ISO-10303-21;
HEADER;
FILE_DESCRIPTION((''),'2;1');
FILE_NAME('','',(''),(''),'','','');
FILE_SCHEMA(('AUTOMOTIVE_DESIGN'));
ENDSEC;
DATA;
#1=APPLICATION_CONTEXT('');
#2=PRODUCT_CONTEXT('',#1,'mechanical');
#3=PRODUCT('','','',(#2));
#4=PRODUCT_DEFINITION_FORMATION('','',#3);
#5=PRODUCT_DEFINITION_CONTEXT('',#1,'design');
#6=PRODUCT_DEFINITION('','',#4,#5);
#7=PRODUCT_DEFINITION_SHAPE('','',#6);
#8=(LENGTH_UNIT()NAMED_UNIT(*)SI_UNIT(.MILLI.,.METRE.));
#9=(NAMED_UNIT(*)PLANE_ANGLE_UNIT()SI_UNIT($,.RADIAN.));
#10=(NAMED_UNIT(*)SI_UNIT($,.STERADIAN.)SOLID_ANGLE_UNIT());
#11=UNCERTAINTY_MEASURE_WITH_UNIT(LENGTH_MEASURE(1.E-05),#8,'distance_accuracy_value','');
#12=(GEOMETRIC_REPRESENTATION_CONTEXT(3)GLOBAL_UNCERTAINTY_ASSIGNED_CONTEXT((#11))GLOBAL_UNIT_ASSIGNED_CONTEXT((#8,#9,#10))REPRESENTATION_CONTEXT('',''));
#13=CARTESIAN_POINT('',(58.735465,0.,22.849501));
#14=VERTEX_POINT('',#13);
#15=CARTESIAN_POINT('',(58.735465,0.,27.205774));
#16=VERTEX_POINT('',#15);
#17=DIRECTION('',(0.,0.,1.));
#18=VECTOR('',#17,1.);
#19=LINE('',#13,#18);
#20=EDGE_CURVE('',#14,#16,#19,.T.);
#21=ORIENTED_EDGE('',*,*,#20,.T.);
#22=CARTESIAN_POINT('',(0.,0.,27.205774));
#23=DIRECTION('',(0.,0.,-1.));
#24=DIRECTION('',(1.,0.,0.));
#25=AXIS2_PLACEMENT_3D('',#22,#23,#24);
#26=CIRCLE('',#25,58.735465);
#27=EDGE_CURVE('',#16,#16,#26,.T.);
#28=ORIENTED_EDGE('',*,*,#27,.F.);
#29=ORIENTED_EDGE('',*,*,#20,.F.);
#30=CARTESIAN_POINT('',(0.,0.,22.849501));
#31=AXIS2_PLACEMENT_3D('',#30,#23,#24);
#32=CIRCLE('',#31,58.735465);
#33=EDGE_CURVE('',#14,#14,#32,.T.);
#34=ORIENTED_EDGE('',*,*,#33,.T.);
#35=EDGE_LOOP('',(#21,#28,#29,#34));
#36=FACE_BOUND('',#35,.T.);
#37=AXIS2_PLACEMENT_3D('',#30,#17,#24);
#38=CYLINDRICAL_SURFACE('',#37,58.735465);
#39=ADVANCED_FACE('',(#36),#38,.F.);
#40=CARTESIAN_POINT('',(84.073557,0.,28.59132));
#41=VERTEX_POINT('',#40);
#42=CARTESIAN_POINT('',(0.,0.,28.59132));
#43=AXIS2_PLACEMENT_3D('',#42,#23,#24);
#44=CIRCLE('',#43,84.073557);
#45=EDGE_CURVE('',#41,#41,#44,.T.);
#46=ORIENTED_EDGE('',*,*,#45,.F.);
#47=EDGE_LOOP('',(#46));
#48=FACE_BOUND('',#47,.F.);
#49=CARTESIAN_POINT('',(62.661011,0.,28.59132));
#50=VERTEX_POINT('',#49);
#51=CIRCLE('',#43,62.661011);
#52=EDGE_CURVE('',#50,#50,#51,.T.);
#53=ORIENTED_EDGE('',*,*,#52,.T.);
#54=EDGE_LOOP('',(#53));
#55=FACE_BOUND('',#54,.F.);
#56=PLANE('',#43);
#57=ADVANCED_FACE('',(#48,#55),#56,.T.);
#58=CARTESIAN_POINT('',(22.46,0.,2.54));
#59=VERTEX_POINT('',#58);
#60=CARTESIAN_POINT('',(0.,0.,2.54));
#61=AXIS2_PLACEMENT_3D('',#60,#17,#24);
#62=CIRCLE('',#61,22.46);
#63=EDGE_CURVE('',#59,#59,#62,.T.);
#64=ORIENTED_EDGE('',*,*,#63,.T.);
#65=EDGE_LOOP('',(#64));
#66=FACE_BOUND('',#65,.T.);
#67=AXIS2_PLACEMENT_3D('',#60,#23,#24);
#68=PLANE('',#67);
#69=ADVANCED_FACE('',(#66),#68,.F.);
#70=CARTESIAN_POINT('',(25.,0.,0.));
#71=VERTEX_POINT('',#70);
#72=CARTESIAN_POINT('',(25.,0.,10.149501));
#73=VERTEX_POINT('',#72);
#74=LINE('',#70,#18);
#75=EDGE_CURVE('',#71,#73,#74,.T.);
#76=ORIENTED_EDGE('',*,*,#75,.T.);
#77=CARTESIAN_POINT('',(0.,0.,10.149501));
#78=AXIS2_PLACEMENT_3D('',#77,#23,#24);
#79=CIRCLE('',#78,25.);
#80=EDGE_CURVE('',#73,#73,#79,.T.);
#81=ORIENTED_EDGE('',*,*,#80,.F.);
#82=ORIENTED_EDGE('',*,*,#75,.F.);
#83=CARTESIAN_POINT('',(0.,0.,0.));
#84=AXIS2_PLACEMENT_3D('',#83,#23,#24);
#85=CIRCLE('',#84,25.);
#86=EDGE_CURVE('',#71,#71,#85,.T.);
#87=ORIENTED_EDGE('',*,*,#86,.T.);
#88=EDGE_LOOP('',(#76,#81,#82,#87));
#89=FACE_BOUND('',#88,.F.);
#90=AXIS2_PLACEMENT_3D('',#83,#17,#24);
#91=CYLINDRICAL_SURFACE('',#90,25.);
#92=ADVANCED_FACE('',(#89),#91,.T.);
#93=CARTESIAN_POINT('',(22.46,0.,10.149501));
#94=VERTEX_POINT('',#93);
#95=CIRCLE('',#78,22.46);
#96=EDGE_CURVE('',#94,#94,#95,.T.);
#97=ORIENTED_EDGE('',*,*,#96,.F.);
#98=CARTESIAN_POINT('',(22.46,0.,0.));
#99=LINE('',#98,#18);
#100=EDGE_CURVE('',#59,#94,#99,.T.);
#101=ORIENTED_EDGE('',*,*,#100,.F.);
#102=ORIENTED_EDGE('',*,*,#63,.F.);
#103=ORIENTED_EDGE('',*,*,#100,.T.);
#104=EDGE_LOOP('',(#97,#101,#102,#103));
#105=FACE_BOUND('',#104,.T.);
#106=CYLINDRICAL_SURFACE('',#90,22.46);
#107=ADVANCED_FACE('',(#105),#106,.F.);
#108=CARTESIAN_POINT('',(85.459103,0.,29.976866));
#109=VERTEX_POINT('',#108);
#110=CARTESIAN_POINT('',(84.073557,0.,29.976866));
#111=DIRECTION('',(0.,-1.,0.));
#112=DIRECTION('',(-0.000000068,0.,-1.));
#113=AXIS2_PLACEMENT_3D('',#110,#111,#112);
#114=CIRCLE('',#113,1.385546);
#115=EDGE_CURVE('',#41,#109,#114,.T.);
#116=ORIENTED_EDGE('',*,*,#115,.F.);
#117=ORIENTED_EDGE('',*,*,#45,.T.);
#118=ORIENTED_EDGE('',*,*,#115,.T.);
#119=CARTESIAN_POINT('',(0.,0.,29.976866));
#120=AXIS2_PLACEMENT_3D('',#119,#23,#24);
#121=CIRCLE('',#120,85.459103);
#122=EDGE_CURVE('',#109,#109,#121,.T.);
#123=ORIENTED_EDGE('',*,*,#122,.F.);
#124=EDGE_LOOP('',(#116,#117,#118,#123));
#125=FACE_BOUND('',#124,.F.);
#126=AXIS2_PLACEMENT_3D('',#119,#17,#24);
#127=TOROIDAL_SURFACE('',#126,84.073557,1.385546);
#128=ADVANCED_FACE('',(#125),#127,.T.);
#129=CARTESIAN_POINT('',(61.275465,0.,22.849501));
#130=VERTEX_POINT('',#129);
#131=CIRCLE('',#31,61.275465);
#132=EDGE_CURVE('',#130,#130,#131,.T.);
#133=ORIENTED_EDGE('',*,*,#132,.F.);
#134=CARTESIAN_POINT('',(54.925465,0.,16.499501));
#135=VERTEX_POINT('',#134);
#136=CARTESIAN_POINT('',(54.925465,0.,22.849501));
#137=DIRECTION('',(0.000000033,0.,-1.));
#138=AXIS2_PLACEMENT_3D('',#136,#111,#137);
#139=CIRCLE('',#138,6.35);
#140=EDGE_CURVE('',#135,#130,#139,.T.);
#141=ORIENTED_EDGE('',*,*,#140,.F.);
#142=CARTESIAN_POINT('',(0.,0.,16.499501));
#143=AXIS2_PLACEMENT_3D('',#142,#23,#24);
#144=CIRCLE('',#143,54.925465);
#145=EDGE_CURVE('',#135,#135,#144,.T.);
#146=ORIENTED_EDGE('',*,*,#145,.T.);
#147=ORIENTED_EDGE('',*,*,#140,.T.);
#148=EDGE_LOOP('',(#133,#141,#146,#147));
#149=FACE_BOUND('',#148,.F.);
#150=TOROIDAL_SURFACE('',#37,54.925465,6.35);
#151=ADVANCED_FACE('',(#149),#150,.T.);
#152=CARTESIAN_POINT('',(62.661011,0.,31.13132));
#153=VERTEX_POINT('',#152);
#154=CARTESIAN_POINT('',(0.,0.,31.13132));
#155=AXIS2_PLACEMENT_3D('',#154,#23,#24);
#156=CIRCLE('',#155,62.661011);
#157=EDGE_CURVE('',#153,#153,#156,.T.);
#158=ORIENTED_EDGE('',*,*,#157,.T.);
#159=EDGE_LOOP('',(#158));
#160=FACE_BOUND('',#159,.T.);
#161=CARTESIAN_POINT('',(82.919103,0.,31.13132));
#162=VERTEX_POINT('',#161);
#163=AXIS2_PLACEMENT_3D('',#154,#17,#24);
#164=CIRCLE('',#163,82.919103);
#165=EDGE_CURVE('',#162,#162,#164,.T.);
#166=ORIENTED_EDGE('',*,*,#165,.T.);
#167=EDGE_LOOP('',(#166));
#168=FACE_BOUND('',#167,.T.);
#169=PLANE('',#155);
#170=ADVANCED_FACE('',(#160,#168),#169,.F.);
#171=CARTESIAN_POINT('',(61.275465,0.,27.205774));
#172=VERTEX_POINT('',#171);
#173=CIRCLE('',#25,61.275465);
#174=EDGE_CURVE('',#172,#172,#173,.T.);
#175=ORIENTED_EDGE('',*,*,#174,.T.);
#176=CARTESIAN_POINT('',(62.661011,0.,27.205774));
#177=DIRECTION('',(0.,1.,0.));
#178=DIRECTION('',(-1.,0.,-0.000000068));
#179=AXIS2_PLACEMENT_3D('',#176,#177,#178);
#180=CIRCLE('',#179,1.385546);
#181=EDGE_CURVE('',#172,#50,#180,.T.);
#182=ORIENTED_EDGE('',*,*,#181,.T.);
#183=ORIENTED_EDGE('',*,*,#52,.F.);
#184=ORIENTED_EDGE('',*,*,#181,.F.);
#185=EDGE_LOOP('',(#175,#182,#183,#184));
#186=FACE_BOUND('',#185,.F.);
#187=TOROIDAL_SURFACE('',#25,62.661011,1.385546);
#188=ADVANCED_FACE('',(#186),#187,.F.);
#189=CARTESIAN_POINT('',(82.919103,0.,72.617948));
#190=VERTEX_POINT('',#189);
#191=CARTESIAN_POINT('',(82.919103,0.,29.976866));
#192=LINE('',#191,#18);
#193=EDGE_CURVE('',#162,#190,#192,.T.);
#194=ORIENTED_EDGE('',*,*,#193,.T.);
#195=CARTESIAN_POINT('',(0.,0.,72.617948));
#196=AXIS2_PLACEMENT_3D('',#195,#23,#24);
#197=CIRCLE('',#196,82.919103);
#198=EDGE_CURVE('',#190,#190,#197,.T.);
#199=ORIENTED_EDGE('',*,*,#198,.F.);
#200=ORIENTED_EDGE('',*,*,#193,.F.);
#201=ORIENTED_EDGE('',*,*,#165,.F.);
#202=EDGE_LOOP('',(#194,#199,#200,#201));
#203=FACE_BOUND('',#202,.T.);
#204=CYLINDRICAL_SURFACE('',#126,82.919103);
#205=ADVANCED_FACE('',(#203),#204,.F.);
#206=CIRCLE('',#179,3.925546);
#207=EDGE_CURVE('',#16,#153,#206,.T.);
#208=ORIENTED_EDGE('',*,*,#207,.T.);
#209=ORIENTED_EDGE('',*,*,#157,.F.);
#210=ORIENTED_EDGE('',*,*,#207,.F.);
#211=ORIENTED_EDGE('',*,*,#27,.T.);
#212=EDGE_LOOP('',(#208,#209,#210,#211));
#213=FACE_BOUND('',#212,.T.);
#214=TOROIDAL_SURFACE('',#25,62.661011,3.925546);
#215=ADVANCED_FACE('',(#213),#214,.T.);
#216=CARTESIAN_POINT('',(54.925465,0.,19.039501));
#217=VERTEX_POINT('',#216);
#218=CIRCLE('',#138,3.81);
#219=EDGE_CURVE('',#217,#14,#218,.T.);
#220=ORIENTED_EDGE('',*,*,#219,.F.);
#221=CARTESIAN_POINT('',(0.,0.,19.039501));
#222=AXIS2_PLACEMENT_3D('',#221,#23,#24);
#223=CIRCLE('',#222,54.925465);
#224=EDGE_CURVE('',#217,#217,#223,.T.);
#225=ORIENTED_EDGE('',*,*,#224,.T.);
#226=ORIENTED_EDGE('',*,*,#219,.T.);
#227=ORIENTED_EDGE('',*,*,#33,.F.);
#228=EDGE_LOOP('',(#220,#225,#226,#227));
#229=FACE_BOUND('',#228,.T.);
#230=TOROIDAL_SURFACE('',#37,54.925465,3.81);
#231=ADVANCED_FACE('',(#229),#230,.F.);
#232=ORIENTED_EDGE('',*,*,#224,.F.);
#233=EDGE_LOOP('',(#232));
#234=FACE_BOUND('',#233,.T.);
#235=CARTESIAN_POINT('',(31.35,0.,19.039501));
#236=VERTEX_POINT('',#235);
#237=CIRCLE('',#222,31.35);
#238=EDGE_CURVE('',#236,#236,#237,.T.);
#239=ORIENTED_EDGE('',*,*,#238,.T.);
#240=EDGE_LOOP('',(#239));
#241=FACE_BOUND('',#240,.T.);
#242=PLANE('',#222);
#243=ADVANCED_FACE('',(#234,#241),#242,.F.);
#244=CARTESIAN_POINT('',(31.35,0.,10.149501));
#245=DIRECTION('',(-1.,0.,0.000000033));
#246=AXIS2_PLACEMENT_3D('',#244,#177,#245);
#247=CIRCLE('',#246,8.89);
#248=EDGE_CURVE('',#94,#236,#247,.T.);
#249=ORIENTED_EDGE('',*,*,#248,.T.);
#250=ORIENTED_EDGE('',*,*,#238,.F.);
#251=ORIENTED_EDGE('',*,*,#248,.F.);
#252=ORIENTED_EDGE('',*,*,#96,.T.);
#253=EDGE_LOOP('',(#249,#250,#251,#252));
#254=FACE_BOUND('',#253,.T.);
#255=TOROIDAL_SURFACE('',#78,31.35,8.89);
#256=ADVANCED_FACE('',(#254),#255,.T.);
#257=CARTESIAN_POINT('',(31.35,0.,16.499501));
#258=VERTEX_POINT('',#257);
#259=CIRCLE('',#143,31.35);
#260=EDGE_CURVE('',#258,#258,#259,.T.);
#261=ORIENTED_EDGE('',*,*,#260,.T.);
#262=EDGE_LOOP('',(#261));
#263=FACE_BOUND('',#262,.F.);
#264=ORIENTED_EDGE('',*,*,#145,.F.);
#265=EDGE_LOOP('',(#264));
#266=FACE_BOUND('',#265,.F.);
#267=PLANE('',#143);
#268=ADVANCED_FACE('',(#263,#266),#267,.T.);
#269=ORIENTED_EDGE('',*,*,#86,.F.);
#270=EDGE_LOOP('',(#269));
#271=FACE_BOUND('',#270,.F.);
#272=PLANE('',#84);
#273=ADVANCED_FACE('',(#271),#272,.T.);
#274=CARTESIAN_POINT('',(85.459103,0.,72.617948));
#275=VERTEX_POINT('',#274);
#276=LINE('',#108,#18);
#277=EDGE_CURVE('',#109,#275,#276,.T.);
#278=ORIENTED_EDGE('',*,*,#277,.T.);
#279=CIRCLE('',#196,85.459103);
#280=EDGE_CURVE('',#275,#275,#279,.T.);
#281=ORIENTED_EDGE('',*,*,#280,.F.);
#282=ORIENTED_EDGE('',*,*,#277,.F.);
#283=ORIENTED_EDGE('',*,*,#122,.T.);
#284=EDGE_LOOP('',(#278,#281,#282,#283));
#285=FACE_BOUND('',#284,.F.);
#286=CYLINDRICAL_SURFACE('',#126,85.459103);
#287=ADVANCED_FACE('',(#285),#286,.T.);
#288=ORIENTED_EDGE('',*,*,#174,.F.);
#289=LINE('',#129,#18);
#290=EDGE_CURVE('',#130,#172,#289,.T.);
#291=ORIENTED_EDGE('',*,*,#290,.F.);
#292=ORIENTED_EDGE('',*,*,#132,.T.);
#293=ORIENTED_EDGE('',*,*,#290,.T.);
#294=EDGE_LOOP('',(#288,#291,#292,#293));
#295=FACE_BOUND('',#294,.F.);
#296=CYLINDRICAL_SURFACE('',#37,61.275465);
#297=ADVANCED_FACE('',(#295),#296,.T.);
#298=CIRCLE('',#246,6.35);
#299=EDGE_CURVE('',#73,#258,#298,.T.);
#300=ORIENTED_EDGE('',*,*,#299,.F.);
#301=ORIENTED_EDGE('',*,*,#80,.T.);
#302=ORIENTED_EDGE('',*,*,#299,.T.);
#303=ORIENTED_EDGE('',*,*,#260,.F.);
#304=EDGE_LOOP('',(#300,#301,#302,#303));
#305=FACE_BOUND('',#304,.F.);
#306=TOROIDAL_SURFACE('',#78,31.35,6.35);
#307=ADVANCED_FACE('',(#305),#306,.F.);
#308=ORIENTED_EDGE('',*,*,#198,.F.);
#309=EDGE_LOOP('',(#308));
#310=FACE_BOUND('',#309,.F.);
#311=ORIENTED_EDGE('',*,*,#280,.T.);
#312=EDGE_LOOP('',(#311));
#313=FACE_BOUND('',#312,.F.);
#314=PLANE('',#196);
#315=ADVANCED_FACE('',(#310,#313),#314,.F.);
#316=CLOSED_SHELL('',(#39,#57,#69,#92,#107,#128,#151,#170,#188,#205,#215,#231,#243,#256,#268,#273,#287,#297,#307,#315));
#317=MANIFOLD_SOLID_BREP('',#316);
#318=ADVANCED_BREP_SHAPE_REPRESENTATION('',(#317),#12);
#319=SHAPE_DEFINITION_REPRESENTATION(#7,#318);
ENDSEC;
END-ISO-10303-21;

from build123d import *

# Parameters (mm, degrees)
F2_T = -2.54


with BuildPart() as f1:
    # F0 (on Front) → F1 (revolve)
    with BuildSketch(Plane.XZ):
        with BuildLine():
            Line((0, 72.617948), (0, 0))
            Line((0, 0), (25, 0))
            Line((25, 0), (25, 10.149501))
            ThreePointArc((25, 10.149501), (26.859872, 14.639629), (31.35, 16.499501))
            Line((31.35, 16.499501), (54.925465, 16.499501))
            ThreePointArc((54.925465, 16.499501), (59.415593, 18.359373), (61.275465, 22.849501))
            Line((61.275465, 22.849501), (61.275465, 27.205774))
            ThreePointArc((61.275465, 27.205774), (61.681282, 28.185503), (62.661011, 28.59132))
            Line((62.661011, 28.59132), (84.073557, 28.59132))
            ThreePointArc((84.073557, 28.59132), (85.053286, 28.997137), (85.459103, 29.976866))
            Line((85.459103, 29.976866), (85.459103, 72.617948))
            Line((85.459103, 72.617948), (0, 72.617948))
        make_face()
    revolve(axis=Axis((0, 0, 36.308974), (0, 0, -1)))

    # F2
    f2_openings = [f1.faces().sort_by_distance(p)[0] for p in [
        (0, 0, 72.617948),
    ]]
    offset(amount=F2_T, openings=f2_openings)


solid = f1.part
